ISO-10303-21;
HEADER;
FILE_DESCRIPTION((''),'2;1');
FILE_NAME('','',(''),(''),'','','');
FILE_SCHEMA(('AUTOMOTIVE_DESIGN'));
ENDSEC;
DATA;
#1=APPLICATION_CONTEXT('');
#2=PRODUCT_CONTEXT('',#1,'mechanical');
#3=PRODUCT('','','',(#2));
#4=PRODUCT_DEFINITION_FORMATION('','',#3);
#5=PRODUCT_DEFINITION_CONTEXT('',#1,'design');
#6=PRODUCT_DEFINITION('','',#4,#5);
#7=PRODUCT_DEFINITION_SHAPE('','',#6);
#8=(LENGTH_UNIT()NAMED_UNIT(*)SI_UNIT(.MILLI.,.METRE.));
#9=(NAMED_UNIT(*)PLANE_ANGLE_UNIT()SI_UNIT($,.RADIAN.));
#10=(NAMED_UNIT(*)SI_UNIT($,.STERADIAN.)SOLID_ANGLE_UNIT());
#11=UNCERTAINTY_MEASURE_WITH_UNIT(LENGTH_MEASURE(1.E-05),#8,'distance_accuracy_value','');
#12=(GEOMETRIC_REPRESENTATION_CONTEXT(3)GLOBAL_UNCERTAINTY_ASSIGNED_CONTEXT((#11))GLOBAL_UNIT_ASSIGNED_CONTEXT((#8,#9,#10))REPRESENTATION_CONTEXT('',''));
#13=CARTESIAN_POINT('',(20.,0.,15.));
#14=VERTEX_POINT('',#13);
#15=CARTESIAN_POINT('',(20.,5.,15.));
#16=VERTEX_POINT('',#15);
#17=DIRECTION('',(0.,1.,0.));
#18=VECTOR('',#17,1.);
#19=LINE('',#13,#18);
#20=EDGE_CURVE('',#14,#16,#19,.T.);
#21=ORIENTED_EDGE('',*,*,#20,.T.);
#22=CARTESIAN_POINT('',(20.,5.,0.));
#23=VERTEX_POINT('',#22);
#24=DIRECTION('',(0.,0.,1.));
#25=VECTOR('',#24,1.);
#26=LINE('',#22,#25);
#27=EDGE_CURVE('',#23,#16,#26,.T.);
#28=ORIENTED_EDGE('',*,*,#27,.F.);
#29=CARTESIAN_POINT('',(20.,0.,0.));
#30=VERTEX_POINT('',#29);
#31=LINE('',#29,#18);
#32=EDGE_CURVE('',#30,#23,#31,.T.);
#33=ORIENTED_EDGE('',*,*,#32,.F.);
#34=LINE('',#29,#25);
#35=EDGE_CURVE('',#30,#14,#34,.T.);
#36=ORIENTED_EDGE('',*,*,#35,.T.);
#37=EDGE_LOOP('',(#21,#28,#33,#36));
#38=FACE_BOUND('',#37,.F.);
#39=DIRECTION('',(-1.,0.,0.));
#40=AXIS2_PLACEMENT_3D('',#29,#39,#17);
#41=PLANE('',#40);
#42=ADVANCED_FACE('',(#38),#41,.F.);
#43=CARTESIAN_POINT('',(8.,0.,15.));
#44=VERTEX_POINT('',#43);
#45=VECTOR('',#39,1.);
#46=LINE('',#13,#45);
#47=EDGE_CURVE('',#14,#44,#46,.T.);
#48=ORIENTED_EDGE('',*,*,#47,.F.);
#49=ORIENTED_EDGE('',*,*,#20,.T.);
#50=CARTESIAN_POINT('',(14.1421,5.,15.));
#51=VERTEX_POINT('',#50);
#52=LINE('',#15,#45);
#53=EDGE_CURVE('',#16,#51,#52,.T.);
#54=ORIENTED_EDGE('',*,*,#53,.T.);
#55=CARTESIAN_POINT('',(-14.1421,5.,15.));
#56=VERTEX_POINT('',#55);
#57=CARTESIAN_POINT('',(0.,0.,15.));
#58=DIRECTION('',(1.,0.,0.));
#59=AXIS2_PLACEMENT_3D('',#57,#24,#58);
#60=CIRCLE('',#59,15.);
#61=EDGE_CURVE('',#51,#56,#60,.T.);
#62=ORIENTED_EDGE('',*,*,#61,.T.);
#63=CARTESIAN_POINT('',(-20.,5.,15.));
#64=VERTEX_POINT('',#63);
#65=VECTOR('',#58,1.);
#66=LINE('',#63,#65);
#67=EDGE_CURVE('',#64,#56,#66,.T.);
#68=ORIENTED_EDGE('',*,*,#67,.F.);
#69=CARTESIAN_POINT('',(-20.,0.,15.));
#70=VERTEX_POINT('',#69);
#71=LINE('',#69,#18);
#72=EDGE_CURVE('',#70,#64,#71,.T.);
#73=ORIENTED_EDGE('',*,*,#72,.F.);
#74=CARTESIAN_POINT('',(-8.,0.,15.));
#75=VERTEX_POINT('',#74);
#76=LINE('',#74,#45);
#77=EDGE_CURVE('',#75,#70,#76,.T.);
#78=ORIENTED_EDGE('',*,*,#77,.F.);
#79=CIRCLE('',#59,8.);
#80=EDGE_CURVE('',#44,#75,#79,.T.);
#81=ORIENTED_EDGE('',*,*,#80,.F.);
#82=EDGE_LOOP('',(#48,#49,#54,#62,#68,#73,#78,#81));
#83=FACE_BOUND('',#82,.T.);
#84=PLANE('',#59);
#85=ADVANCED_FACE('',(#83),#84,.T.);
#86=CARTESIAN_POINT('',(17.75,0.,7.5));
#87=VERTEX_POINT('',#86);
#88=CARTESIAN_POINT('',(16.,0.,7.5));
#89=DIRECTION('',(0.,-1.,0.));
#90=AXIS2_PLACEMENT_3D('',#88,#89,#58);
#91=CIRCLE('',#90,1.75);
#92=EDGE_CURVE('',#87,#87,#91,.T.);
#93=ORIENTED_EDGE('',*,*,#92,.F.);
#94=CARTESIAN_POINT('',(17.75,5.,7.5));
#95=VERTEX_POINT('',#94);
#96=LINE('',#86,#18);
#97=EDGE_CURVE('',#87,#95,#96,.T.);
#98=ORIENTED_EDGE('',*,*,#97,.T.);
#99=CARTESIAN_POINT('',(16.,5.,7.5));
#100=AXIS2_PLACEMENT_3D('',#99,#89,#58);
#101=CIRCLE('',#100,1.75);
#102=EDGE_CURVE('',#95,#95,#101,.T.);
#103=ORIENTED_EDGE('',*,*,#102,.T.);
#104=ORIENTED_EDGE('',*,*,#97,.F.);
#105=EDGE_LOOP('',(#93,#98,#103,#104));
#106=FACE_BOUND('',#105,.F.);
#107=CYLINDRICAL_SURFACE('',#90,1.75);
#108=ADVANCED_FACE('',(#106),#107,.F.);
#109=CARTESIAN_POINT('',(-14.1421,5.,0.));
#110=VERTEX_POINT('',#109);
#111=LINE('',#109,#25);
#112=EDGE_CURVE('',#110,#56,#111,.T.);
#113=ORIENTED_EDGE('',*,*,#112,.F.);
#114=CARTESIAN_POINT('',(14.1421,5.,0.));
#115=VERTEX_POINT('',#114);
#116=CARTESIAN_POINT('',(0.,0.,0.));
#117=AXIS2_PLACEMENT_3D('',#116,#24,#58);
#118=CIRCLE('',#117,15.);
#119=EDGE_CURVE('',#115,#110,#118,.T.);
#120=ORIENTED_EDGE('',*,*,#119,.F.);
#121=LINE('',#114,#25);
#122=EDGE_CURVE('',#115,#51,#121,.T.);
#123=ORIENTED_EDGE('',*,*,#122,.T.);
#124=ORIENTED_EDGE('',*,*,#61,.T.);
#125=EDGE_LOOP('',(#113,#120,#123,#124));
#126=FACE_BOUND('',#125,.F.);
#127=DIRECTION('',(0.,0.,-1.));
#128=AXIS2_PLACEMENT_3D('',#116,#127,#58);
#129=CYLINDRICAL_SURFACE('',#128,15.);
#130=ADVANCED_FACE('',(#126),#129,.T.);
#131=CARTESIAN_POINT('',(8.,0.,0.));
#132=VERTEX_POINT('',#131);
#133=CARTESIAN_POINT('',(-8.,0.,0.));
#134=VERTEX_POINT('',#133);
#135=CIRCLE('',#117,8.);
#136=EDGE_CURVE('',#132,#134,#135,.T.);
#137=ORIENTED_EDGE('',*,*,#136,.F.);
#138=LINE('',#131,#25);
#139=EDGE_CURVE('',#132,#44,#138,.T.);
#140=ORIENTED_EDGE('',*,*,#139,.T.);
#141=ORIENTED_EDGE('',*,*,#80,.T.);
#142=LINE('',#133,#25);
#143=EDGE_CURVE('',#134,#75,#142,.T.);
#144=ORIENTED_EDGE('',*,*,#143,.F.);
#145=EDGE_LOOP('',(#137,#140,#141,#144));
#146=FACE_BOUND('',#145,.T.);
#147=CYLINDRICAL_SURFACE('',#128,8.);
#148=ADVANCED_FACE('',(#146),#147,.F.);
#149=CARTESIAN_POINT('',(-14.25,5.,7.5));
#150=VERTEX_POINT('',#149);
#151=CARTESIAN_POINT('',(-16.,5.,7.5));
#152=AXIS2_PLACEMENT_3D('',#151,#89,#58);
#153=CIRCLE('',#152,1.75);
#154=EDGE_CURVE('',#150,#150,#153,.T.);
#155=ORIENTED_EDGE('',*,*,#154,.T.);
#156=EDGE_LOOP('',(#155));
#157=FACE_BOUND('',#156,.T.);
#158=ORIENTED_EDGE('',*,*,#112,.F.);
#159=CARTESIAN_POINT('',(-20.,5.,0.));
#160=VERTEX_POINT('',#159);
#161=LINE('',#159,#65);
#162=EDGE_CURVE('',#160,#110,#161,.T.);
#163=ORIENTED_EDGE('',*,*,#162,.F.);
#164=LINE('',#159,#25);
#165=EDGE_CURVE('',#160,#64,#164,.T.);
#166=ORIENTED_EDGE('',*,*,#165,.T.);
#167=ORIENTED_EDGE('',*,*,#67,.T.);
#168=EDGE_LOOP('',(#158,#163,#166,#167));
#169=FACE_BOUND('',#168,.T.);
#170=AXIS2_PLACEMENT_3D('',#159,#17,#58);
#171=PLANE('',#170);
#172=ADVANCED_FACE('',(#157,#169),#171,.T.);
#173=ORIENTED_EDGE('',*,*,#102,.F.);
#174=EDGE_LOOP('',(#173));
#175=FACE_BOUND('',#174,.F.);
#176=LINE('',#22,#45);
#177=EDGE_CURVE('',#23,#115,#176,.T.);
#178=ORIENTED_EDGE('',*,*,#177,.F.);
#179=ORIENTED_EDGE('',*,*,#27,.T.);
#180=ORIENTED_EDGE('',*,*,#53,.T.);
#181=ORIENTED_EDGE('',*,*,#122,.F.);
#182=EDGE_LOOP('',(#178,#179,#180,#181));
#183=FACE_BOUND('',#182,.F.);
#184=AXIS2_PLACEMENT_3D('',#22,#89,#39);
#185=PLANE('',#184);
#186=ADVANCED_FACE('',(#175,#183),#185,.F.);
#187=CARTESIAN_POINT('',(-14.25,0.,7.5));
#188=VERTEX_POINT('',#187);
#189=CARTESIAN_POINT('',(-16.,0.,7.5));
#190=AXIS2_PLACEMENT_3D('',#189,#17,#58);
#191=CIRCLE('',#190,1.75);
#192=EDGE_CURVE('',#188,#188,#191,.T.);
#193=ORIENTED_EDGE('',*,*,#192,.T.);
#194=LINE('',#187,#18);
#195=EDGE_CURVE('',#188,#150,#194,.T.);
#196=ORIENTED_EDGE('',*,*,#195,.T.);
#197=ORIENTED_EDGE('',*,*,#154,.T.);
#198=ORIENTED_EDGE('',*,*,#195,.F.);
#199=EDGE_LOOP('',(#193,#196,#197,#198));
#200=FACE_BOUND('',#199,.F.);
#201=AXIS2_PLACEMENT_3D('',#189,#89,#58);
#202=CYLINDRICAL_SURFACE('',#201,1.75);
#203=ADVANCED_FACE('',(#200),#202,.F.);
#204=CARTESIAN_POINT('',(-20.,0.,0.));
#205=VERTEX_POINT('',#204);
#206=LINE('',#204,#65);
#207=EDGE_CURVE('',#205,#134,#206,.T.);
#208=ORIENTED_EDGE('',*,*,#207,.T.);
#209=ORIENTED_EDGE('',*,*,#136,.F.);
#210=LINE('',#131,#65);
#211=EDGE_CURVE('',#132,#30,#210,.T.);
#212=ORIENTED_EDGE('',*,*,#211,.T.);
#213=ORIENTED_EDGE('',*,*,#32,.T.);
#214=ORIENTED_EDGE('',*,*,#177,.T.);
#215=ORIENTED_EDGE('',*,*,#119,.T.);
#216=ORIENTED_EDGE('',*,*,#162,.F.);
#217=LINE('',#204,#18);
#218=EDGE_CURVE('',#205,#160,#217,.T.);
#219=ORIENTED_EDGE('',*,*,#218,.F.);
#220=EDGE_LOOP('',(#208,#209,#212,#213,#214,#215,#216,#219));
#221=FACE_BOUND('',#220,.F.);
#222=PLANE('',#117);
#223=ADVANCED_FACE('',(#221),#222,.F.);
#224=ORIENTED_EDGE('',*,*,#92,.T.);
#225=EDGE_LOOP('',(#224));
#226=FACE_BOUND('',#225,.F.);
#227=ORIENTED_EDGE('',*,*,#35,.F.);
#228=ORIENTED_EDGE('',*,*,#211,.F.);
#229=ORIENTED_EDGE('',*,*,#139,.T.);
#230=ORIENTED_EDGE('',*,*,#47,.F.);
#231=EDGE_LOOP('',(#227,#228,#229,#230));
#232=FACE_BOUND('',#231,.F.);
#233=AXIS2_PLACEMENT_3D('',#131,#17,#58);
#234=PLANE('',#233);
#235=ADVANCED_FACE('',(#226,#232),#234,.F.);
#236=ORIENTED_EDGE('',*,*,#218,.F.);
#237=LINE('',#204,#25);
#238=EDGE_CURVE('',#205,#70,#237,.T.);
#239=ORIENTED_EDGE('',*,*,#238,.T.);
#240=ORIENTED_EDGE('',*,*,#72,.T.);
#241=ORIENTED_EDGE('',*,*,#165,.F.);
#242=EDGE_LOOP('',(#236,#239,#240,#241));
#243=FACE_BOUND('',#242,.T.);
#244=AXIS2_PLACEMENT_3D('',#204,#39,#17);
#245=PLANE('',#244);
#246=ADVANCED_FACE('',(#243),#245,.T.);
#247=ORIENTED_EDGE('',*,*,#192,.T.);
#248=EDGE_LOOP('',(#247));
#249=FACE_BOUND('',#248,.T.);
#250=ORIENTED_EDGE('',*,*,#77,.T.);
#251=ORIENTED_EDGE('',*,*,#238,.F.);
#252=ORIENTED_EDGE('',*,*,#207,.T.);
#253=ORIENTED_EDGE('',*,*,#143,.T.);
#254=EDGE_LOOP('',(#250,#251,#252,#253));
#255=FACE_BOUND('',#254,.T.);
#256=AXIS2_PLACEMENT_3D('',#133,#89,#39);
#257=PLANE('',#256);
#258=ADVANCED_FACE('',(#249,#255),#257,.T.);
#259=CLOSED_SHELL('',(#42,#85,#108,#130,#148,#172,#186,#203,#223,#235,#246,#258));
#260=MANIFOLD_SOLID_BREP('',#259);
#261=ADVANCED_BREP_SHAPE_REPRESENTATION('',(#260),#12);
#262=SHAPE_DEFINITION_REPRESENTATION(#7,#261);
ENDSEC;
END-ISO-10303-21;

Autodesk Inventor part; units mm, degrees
ref_plane "YZ Plane" through (0, 0, 0) normal (1, 0, 0) x (0, 1, 0)
ref_plane "XZ Plane" through (0, 0, 0) normal (0, 1, 0) x (-1, 0, 0)
ref_plane "XY Plane" through (0, 0, 0) normal (0, 0, 1) x (1, 0, 0)
sketch "Sketch1" plane through (0, 0, 0) normal (0, 0, 1) x (1, 0, 0)
  arc A0 (8, 0) -> (-8, 0) centre (0, 0) ccw
  arc A1 (15, 0) -> (-15, 0) centre (0, 0) ccw
  line L0 (-8, 0) -> (-15, 0)
  line L1 (-15, 0) -> (-20, 0)
  line L2 (-20, 0) -> (-20, 5)
  line L3 (-20, 5) -> (-14.1421, 5)
  line L4 (8, 0) -> (15, 0)
  line L5 (15, 0) -> (20, 0)
  line L6 (20, 0) -> (20, 5)
  line L7 (20, 5) -> (14.1421, 5)
  dimension "d0" = 16
  dimension "d1" = 30
  dimension "d2" = 5
  dimension "d3" = 5
  dimension "d4" = 5
  dimension "d5" = 5
extrude "Extrusion1" add sketch "Sketch1" along normal blind 15
sketch "Sketch2" plane through (8, 0, 0) normal (0, -1, 0) x (1, 0, 0)
  line L0 (-28, 0) -> (-28, 15) projected
  line L1 (-28, 7.5) -> (-24, 7.5)
  line L2 (12, 0) -> (12, 15) projected
  line L3 (12, 7.5) -> (8, 7.5)
  circle A0 centre (-24, 7.5) radius 1.75
  circle A1 centre (8, 7.5) radius 1.75
  point P0 (-8, 0)
  dimension "d8" = 4
  dimension "d9" = 4
  dimension "d10" = 3.5
  dimension "d11" = 3.5
extrude "Extrusion2" cut sketch "Sketch2" against normal through all
properties part number "prism_holder_2"
